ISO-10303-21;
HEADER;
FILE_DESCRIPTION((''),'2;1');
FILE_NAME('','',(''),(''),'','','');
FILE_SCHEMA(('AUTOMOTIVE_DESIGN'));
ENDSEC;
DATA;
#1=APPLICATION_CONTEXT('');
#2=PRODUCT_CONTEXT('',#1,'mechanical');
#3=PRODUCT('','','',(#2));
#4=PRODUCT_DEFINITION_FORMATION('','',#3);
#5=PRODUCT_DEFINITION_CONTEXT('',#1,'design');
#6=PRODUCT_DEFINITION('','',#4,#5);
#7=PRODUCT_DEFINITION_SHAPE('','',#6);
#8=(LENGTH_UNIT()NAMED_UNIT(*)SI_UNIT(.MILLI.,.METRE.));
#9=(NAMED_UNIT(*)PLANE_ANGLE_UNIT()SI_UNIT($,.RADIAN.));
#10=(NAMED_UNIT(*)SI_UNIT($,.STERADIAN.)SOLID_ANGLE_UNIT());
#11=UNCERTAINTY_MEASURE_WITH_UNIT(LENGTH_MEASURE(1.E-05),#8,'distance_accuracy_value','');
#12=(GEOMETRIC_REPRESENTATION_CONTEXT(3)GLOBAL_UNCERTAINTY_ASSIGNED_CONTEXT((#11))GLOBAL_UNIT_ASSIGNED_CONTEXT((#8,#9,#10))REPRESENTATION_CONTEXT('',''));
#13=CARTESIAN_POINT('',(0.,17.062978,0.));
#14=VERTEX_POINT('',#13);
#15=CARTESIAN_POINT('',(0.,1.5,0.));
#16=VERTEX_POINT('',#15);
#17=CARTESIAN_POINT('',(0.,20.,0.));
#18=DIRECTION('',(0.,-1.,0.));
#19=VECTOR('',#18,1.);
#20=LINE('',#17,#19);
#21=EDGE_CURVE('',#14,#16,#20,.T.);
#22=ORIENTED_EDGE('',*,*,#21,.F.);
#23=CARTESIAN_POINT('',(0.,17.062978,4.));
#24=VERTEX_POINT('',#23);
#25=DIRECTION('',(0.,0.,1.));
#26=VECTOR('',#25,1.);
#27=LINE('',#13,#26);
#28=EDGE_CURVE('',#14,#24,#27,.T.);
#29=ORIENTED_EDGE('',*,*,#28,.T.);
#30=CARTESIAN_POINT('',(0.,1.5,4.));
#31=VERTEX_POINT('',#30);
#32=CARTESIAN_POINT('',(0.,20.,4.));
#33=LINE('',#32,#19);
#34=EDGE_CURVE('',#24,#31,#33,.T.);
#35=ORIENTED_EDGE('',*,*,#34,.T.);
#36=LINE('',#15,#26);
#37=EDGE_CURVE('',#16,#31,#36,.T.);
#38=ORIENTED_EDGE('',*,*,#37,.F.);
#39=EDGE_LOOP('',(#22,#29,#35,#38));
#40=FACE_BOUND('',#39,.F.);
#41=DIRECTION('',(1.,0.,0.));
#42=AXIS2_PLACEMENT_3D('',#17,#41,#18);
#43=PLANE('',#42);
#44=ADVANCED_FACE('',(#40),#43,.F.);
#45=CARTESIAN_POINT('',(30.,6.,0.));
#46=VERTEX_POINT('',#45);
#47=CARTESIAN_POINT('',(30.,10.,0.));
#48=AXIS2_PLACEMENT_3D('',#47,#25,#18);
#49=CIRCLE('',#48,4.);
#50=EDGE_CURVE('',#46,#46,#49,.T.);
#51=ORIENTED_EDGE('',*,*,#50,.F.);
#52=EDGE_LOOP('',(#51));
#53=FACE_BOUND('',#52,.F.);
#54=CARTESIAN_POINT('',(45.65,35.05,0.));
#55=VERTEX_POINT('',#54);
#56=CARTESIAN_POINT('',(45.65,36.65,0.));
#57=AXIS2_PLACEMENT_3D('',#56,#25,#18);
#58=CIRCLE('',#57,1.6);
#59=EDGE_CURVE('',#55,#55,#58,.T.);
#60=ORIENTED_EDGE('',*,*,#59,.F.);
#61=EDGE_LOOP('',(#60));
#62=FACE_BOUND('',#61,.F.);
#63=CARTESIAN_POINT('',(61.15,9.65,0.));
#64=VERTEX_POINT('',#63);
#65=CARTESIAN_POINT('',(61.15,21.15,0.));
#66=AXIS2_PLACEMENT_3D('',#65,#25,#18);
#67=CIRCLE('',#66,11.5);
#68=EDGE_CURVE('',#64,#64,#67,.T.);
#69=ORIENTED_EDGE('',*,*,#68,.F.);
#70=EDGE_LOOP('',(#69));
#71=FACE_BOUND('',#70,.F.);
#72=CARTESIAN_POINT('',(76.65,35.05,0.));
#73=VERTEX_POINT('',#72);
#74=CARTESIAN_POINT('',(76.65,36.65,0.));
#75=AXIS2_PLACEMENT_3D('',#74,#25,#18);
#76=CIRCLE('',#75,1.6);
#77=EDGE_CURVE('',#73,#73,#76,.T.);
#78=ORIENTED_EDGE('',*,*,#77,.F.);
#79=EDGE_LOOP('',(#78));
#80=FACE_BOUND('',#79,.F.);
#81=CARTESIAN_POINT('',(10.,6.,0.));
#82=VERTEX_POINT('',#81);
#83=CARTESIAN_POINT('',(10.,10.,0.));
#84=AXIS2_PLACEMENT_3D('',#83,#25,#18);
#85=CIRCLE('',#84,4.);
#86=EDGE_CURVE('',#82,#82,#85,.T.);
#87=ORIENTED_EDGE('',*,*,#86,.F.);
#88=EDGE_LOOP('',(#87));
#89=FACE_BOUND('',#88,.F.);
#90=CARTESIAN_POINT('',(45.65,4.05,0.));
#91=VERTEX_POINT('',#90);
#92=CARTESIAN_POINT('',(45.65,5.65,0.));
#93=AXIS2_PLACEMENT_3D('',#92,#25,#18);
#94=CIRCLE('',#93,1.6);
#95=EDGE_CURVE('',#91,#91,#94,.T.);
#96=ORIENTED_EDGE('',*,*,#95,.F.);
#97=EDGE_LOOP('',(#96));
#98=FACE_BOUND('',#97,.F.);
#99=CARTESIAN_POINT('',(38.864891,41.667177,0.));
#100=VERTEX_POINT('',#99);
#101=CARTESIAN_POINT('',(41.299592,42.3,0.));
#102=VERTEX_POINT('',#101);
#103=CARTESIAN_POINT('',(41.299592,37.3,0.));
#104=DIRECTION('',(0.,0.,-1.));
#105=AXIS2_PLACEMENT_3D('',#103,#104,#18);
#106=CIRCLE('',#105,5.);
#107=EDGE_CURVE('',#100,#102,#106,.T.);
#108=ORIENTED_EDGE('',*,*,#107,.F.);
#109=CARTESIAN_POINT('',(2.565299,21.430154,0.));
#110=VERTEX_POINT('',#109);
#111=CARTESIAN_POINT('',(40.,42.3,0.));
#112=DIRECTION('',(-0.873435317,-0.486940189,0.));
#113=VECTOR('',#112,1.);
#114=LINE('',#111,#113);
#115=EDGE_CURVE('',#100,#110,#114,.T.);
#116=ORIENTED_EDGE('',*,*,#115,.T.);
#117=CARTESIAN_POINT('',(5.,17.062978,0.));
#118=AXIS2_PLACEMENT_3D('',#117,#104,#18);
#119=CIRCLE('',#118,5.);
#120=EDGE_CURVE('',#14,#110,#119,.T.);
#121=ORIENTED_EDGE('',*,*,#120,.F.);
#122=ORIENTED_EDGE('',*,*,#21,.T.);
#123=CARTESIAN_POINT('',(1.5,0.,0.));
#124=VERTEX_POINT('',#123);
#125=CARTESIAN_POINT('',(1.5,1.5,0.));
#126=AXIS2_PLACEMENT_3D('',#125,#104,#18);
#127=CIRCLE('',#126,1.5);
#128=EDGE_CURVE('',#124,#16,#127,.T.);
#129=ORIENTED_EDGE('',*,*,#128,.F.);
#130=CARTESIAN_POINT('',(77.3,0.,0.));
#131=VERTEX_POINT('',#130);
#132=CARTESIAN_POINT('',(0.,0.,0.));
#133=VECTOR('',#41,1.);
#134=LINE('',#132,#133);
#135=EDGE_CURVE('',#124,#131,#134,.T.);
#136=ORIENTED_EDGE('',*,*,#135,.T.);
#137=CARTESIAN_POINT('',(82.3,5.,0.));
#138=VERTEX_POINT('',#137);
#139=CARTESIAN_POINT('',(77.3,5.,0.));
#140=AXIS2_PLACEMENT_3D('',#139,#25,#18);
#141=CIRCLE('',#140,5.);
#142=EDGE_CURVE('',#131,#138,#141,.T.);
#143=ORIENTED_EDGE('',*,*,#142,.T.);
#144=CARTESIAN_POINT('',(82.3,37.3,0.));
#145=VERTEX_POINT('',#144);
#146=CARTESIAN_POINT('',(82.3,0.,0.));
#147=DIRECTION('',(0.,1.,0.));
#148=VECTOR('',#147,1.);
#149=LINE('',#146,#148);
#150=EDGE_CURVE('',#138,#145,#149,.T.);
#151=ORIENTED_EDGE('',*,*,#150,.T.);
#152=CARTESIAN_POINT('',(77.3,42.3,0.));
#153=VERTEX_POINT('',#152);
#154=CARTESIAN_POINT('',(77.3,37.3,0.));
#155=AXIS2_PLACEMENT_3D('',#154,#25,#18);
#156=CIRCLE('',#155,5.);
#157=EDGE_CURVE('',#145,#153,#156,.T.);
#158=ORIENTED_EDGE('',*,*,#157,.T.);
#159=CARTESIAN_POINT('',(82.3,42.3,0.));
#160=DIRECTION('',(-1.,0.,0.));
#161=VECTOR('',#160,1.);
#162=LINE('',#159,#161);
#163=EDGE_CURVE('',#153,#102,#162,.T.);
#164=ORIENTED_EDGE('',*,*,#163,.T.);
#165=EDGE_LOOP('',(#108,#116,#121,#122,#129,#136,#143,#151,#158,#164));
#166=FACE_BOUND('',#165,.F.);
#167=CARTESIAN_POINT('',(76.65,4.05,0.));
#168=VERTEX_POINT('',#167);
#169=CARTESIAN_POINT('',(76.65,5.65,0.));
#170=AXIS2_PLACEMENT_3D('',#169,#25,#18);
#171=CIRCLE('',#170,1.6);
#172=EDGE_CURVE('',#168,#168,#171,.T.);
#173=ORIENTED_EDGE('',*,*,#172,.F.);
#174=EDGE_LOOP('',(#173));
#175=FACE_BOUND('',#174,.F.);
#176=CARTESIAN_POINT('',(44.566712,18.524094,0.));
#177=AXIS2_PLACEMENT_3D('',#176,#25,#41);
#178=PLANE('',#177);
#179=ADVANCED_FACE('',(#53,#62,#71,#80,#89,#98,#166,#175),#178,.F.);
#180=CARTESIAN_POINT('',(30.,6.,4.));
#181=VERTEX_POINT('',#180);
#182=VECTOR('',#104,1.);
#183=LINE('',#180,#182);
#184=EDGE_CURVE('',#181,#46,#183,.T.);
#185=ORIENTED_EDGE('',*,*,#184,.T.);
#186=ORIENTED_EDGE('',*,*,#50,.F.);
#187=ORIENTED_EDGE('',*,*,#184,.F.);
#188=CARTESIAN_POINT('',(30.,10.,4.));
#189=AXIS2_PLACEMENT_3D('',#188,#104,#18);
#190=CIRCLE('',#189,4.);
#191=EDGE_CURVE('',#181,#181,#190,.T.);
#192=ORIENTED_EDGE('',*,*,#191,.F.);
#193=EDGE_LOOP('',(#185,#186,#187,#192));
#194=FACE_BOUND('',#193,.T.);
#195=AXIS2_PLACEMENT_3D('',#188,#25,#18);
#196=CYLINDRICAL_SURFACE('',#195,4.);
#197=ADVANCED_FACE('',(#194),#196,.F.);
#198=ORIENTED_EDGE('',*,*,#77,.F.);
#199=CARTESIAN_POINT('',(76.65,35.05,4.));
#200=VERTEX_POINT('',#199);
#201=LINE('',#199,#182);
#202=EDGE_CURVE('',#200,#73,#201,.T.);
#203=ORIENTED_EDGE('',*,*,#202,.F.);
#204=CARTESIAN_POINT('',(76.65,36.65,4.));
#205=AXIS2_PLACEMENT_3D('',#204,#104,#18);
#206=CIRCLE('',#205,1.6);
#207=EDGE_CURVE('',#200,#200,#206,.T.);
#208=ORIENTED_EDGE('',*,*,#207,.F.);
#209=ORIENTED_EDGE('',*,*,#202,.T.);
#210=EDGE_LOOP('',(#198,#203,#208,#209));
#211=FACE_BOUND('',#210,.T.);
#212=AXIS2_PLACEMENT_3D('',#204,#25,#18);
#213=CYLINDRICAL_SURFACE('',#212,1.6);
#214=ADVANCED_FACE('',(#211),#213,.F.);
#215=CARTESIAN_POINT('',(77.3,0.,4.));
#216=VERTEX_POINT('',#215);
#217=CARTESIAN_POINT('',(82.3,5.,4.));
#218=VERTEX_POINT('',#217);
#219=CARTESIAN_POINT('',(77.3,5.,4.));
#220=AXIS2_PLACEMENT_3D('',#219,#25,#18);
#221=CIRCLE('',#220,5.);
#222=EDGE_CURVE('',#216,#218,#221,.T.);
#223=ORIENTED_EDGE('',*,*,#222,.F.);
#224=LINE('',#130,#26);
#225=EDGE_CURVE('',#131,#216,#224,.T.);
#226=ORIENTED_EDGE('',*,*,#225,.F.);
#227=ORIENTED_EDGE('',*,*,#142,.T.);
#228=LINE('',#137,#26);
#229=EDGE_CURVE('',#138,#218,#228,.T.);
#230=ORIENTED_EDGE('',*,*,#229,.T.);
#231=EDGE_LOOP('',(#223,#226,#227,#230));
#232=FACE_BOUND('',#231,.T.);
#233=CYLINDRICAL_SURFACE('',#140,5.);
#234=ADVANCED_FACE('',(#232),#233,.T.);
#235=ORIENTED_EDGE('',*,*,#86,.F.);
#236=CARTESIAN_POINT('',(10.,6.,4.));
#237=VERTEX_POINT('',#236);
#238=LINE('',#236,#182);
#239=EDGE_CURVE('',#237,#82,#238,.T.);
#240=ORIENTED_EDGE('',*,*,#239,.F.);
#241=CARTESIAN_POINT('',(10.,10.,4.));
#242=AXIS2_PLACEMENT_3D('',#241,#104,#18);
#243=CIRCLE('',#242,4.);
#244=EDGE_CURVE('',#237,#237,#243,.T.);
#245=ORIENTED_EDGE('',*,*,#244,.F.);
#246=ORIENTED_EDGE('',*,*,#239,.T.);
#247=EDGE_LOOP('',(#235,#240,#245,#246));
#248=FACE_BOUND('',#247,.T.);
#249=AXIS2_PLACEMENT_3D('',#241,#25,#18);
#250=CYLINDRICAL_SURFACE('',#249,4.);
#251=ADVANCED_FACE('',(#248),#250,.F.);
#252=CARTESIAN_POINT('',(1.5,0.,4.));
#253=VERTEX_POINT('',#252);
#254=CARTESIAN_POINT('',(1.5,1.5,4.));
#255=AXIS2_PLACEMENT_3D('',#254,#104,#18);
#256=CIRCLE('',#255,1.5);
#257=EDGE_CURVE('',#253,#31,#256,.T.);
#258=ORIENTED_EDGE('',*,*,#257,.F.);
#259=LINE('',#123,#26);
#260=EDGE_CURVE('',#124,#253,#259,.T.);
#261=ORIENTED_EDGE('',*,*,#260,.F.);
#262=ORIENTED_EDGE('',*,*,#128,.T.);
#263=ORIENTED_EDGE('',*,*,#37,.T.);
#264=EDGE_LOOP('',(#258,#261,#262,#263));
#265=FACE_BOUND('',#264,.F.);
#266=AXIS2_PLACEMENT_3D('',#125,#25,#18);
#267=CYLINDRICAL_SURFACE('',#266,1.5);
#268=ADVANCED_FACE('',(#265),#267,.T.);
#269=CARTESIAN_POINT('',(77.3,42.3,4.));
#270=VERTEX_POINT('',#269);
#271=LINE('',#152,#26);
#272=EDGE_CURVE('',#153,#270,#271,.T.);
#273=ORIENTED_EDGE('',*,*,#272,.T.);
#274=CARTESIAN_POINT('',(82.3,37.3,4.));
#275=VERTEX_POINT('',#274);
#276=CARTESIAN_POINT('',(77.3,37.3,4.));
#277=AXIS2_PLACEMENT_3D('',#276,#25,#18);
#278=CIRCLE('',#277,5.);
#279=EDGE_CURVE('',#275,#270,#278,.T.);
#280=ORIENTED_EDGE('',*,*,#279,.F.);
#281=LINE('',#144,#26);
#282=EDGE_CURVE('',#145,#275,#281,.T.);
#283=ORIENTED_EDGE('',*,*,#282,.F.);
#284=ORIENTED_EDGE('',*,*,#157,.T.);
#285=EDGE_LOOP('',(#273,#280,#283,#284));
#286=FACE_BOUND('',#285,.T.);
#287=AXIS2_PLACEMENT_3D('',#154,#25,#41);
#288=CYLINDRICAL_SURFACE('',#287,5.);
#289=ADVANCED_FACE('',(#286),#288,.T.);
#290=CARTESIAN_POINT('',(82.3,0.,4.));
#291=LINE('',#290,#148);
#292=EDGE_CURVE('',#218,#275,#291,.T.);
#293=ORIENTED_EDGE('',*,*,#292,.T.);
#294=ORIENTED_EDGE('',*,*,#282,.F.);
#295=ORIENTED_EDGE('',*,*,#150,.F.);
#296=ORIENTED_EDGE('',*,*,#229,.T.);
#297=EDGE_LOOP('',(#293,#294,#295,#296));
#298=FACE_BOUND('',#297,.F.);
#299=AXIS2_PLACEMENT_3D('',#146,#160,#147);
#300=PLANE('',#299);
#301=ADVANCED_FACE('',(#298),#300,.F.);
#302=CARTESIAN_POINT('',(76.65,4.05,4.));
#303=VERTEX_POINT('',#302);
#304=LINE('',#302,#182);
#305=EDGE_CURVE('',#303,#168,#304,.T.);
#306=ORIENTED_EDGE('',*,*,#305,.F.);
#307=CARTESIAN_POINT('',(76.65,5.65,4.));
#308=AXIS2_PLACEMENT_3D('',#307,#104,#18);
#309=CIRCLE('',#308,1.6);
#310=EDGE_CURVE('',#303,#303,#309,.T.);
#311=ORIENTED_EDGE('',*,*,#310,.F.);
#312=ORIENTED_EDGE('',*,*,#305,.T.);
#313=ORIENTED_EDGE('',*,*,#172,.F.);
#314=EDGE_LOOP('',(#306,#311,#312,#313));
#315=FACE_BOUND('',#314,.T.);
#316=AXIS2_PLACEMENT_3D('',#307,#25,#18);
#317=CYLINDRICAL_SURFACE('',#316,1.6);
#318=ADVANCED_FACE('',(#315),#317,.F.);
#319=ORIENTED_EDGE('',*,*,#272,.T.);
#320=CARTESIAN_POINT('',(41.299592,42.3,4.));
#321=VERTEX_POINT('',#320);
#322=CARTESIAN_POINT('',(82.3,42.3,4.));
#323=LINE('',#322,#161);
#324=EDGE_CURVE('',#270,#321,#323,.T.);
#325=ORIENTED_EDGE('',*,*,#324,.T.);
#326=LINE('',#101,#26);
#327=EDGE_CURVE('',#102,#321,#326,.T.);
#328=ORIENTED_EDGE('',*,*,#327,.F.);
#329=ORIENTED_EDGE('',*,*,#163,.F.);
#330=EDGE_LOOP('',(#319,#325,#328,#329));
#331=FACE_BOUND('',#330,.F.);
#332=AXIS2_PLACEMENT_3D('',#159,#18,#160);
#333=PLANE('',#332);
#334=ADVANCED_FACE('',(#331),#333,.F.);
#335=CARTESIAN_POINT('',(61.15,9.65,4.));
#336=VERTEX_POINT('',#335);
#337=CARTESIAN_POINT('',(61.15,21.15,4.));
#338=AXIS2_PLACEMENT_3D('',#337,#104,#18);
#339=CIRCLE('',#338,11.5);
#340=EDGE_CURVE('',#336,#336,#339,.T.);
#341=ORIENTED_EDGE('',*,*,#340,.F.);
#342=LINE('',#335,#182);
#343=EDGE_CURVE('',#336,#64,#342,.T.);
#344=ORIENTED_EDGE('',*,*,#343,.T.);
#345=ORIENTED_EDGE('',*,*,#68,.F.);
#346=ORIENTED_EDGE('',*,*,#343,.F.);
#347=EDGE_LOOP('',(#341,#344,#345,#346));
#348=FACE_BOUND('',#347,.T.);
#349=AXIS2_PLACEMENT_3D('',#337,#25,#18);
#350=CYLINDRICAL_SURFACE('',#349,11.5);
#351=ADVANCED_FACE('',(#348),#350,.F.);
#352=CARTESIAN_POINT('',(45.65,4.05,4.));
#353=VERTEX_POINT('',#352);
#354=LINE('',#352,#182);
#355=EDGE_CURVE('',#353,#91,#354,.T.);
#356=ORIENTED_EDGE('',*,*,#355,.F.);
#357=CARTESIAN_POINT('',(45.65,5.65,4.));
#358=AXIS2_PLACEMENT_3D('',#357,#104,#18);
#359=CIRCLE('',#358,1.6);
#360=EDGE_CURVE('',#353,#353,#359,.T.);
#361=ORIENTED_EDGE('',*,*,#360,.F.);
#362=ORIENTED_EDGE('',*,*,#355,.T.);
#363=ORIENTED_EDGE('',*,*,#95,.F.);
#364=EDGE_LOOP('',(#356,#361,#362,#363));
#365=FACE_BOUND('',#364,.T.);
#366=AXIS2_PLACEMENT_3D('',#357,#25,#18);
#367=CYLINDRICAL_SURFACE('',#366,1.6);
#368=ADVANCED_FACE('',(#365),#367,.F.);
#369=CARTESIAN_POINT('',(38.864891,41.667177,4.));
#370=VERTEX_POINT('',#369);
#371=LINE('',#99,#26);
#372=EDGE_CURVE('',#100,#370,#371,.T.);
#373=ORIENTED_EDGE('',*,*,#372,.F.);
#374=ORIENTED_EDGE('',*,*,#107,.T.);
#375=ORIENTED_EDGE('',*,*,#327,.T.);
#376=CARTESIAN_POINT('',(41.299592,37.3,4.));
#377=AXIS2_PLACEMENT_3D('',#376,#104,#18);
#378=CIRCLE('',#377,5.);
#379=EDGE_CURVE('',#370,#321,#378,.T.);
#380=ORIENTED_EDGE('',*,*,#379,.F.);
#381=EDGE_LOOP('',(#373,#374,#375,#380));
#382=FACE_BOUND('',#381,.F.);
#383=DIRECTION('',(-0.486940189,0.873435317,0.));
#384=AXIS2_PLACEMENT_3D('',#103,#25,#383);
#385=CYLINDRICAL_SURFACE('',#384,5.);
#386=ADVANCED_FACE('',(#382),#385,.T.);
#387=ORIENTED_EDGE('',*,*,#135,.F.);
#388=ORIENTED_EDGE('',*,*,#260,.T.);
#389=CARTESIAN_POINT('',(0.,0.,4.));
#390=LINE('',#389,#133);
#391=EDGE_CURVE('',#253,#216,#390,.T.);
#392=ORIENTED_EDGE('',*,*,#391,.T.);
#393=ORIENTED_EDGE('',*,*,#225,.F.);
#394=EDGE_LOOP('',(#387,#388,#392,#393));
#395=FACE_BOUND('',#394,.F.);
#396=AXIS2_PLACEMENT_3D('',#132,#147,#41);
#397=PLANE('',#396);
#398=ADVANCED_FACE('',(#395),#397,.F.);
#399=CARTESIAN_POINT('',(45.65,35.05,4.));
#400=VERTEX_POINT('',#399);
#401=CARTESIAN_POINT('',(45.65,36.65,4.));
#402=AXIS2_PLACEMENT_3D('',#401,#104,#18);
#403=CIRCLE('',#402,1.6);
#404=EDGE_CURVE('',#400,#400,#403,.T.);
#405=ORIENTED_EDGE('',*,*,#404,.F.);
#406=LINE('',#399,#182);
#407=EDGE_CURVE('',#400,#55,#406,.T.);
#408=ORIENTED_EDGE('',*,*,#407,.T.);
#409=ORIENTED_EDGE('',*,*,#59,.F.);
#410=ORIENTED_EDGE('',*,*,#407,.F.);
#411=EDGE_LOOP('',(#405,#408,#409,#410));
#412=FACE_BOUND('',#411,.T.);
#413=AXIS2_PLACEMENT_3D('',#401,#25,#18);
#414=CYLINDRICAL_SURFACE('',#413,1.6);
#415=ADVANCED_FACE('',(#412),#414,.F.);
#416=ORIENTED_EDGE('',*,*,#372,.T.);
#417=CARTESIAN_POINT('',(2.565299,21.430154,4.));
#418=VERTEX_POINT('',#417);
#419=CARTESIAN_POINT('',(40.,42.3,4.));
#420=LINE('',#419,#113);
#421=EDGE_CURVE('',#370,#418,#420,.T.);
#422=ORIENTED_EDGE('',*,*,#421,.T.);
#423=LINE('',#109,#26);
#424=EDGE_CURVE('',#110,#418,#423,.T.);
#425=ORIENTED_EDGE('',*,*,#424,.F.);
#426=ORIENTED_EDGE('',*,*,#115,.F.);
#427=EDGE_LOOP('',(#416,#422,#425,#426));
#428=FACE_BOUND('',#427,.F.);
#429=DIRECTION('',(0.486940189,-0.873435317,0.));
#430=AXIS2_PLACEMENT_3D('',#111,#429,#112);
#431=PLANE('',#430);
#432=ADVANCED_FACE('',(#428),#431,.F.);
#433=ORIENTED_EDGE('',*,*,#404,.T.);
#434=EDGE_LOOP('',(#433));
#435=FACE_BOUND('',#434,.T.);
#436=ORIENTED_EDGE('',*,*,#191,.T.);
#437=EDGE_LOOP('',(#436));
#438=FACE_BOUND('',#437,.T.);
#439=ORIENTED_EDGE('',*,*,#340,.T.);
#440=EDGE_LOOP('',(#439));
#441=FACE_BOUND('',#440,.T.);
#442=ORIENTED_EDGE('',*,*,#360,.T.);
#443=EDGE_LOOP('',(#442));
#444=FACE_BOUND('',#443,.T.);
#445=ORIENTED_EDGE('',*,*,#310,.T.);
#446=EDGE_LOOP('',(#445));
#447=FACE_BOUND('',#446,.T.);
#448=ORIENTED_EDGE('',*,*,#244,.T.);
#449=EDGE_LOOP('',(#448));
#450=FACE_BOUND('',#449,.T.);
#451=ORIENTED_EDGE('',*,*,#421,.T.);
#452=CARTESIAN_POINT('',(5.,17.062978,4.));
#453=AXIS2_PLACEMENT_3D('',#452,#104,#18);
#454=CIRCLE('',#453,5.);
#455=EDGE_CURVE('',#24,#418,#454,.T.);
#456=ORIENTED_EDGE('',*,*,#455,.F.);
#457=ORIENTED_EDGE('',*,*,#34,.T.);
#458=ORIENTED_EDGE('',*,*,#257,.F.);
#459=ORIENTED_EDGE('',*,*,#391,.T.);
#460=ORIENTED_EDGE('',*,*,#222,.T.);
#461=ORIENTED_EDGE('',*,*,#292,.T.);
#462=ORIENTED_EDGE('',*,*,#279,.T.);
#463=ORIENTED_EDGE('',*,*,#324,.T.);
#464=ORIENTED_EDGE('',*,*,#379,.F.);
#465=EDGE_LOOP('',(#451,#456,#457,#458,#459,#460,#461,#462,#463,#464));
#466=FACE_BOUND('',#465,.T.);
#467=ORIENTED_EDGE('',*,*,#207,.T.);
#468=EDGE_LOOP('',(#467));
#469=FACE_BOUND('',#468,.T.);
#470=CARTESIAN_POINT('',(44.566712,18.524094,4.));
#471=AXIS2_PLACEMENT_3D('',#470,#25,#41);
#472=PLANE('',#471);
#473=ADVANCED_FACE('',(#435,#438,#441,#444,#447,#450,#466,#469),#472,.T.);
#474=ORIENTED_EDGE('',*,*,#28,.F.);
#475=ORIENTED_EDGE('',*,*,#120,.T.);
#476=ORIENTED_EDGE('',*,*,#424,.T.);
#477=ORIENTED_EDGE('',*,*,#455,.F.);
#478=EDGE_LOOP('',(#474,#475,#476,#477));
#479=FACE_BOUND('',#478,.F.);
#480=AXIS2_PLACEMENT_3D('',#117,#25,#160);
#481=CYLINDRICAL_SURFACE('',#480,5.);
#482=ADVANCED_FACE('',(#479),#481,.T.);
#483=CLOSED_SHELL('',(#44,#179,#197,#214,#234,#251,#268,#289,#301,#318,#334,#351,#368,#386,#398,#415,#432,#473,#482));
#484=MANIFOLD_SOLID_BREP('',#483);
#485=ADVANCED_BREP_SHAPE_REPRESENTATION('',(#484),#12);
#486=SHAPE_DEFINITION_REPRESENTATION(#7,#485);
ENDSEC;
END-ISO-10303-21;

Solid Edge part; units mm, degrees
sketch "Sketch1" plane through (0, 0, 0) normal (0, 0, 1) x (1, 0, 0)
  line L0 (0, 0) -> (82.3, 0)
  line L1 (82.3, 0) -> (82.3, 42.3)
  line L2 (82.3, 42.3) -> (40, 42.3)
  line L3 (40, 42.3) -> (0, 20)
  line L4 (0, 20) -> (0, 0)
extrude "Protrusion1" add sketch "Sketch1" along normal blind 4
hole "Hole_1" at (10, 10, 4) direction (0, 0, -1) diameter 8 end up to next
hole "Hole1" at (30, 10, 4) direction (0, 0, -1) diameter 8 end up to next
hole "Hole_3" at (61.15, 21.15, 4) direction (0, 0, -1) diameter 23 end up to next
hole "Hole_4" at (45.65, 36.65, 4) direction (0, 0, -1) diameter 3.2 end up to next
pattern_linear "Pattern2" count 2 spacing 31 along (1, 0, 0) count 2 spacing 31 along (0, -1, 0) of "Hole_4"
fillet "Round_1" radius 5 4 edges at (0, 20, 2) (82.3, 42.3, 2) (82.3, 0, 2) (40, 42.3, 2)
fillet "Round_2" radius 1.5 1 edges at (0, 0, 2)
properties material "Aluminum, 6061-T6"
